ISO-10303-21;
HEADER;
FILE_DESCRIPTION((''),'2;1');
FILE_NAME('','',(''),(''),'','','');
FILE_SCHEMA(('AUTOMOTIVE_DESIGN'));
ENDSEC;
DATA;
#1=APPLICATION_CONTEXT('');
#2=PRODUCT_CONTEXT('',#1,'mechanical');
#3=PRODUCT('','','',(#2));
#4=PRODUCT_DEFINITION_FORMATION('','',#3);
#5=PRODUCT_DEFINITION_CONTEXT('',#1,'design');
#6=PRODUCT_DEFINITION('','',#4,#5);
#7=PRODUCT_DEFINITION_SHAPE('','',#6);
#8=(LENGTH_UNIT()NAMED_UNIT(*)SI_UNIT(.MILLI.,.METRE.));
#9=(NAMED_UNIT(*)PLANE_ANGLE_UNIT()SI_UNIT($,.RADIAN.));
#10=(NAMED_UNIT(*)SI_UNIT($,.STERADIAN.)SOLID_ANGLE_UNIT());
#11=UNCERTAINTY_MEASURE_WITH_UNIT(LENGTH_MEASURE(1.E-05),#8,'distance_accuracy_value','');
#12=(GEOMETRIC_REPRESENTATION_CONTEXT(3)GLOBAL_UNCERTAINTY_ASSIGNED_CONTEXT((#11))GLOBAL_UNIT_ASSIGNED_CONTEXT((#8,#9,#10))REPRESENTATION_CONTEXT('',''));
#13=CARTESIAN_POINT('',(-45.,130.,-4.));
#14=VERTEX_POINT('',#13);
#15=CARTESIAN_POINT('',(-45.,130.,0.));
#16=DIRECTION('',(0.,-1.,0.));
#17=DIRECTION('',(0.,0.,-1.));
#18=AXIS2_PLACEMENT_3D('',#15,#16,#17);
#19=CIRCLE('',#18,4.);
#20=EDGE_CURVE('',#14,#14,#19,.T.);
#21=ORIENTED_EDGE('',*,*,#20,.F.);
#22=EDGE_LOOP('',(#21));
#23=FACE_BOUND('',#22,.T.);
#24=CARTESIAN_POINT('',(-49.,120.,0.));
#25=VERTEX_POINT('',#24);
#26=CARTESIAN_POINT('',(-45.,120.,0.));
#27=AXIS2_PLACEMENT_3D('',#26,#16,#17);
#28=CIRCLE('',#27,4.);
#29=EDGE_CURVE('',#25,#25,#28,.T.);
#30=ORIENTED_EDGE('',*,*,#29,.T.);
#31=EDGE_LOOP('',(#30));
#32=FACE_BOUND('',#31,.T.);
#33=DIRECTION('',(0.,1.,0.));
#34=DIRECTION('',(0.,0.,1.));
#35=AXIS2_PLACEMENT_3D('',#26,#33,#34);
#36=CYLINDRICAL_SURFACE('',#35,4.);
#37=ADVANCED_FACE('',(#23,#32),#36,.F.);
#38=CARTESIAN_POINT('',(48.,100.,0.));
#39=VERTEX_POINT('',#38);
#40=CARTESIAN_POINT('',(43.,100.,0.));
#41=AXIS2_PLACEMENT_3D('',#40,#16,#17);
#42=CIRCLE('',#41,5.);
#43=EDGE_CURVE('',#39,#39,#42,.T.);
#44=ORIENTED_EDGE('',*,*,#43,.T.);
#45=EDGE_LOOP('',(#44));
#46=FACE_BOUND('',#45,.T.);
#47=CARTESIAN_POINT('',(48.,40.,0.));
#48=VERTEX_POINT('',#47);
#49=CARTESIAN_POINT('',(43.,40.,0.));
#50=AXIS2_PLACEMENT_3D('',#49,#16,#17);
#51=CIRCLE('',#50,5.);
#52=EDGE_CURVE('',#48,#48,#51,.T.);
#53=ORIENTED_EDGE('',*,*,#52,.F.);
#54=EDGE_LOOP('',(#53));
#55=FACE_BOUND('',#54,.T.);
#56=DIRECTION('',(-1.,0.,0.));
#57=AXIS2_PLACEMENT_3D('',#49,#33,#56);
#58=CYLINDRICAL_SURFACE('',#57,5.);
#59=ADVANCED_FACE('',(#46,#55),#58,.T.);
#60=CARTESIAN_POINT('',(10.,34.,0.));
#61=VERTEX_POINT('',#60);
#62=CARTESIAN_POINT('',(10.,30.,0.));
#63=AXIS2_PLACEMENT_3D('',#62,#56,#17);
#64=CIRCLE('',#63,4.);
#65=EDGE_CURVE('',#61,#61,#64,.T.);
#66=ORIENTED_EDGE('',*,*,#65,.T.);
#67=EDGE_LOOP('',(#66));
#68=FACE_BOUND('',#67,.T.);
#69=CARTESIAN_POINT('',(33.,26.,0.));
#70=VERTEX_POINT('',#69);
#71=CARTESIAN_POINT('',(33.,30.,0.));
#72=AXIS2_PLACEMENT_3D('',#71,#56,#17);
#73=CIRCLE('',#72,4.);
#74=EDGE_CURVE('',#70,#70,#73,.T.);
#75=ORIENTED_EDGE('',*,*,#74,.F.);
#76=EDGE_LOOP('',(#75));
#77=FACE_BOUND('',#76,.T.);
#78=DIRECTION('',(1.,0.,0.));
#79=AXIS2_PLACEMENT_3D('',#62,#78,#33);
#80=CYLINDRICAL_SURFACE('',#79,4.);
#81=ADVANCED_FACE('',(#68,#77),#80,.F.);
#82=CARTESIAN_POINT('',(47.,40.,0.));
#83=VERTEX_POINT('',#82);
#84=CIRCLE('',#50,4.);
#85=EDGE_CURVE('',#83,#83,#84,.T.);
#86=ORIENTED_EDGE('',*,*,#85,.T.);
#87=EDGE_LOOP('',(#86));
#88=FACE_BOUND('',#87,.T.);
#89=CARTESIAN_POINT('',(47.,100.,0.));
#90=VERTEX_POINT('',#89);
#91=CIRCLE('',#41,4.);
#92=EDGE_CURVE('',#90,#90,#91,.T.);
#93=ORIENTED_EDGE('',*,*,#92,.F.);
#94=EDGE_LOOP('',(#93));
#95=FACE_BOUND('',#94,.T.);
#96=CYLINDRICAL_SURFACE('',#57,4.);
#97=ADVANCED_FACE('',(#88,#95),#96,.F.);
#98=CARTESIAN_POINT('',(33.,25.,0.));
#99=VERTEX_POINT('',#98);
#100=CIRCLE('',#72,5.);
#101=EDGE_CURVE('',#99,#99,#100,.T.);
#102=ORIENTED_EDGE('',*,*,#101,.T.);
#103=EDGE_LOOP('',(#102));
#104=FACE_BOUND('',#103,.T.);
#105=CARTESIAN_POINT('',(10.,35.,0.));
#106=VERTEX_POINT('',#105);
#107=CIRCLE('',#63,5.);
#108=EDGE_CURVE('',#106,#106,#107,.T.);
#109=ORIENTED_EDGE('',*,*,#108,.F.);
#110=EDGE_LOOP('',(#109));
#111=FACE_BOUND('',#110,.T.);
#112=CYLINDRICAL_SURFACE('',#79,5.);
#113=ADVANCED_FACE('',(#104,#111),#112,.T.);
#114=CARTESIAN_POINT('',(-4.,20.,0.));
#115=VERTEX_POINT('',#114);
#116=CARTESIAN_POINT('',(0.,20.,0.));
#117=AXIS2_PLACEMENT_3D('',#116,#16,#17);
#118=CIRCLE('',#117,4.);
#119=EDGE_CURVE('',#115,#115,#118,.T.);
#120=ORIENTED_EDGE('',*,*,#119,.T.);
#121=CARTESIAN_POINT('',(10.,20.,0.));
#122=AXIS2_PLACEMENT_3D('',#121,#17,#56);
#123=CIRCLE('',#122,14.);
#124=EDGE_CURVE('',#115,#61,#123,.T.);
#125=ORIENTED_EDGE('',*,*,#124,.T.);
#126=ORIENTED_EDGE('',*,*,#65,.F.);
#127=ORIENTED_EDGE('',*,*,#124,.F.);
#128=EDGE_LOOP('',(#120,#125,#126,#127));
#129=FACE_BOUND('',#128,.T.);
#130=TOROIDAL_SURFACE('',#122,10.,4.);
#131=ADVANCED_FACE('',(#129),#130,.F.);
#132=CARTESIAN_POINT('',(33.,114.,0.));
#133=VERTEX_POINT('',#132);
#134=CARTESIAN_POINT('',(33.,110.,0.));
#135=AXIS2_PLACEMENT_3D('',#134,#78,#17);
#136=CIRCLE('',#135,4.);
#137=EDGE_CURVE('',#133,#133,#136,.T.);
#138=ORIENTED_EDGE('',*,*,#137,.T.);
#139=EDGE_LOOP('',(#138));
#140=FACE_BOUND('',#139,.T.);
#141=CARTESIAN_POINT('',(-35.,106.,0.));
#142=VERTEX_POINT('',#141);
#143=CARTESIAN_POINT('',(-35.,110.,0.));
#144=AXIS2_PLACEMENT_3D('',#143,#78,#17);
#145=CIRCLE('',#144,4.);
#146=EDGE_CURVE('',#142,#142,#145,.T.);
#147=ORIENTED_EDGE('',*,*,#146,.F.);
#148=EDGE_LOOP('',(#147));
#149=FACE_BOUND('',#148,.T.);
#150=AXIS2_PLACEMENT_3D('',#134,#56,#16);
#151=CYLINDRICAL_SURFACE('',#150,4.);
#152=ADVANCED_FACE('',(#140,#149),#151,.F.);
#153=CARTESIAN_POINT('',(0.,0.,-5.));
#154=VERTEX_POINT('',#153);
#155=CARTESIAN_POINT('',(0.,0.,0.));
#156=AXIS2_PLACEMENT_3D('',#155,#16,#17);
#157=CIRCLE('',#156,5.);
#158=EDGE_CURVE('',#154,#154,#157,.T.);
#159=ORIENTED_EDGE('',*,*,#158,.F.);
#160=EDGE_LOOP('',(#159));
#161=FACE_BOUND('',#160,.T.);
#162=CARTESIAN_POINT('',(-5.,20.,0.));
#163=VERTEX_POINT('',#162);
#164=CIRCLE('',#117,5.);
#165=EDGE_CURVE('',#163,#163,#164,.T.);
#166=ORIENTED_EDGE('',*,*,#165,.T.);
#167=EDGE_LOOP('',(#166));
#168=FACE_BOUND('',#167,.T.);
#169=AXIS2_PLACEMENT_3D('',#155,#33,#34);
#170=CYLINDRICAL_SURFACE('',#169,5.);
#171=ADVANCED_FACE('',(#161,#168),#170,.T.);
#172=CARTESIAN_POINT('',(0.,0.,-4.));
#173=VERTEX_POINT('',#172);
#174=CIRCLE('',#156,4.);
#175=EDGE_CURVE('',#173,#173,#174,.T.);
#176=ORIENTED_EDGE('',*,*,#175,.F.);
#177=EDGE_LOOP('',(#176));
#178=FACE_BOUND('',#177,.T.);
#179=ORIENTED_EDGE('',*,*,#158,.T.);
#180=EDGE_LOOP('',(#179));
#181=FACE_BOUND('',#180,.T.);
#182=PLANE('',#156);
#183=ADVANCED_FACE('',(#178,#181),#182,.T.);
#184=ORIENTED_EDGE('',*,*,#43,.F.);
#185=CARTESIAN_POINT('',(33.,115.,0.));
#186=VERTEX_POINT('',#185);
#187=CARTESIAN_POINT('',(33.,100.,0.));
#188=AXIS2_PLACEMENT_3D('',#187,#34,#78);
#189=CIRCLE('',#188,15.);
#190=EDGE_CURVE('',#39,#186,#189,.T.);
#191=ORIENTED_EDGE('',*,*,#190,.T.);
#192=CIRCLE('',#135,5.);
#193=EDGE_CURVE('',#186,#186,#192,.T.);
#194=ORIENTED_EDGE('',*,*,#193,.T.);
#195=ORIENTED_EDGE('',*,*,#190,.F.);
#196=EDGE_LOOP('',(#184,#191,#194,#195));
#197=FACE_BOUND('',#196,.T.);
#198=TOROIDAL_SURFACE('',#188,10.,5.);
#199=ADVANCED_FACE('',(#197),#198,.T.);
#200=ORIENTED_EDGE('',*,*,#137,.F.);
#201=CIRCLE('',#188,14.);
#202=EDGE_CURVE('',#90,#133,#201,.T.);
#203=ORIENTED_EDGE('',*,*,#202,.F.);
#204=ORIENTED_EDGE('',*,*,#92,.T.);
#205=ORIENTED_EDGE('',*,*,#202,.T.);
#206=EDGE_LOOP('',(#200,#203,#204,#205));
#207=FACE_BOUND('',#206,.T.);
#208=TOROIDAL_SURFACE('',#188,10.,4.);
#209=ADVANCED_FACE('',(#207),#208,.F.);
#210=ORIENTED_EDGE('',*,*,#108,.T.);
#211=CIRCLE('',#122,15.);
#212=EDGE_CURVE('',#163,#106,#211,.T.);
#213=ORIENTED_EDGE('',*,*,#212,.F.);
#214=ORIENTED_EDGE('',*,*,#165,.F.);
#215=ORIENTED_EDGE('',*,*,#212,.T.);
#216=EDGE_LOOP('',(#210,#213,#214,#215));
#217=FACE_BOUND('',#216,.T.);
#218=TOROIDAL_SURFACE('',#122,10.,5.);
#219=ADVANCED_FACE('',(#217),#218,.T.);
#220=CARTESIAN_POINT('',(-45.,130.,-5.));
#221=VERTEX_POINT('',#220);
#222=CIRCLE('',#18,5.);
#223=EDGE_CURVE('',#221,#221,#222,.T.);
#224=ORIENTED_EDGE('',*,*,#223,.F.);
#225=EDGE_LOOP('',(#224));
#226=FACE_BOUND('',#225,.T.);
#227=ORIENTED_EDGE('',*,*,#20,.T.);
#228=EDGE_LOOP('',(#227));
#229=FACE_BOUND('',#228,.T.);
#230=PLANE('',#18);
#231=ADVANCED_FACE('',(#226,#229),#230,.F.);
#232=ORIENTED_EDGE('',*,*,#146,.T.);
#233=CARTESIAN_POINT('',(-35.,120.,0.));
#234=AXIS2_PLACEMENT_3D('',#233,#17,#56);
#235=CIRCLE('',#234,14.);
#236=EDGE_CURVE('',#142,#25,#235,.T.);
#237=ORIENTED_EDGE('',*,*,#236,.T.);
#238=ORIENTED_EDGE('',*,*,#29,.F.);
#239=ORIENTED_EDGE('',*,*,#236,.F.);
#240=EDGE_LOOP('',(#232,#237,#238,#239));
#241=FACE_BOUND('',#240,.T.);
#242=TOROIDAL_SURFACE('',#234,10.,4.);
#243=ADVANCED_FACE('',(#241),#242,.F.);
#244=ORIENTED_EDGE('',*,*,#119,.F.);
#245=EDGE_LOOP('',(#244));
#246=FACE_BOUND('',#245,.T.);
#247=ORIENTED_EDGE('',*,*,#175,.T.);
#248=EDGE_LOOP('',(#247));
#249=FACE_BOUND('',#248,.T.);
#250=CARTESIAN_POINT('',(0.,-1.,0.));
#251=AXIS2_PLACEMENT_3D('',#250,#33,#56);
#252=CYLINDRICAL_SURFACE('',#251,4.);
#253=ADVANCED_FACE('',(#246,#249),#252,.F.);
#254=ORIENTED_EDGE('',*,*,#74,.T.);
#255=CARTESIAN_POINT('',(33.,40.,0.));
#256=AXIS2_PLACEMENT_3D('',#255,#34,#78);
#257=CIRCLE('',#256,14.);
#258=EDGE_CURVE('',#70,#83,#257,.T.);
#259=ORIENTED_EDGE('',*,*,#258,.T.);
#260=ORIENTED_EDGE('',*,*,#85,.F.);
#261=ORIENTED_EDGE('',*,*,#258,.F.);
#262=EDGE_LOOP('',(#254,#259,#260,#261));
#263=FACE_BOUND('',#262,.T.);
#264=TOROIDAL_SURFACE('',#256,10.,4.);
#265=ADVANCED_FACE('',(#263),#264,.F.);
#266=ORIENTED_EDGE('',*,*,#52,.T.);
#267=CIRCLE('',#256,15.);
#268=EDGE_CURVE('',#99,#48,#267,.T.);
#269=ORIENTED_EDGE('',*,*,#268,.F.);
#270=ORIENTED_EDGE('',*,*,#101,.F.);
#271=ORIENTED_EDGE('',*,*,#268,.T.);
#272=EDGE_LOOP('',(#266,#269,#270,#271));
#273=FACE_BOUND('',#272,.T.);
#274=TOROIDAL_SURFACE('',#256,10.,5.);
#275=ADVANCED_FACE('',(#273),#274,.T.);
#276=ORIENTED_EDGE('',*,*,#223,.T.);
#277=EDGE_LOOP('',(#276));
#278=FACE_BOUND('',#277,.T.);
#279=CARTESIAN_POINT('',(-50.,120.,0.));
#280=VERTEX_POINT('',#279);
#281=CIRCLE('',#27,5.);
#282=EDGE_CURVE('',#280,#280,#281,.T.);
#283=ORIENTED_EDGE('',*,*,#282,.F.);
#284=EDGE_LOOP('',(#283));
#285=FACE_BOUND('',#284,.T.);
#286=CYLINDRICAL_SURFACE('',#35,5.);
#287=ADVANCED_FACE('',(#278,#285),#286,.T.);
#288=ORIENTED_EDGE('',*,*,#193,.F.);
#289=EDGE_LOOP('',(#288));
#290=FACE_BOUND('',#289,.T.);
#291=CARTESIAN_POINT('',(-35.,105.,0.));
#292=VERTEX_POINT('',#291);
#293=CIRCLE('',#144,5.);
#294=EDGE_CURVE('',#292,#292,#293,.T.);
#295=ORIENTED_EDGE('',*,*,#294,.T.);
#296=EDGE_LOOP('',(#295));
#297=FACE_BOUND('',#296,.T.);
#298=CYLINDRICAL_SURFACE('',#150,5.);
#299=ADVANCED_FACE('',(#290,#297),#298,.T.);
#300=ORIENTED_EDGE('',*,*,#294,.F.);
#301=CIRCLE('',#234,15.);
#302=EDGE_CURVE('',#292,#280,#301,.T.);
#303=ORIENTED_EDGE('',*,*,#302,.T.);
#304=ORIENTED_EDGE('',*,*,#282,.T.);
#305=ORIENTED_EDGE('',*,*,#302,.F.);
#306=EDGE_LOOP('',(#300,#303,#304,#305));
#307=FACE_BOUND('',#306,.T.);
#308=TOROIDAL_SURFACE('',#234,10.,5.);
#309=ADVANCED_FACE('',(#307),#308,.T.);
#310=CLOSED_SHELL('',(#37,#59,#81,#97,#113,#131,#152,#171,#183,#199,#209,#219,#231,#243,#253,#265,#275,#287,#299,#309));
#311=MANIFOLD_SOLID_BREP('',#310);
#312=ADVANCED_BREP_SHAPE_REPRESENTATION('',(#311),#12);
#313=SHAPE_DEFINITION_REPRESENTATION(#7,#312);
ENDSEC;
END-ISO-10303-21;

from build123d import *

# Parameters (mm, degrees)
SWEEP_1_PROFILE_R   = 5
SWEEP_1_2_PROFILE_R = 4


with BuildPart() as part:
    # Sweep 1: sweep along a path in 草图1
    with BuildLine(Plane.XY) as sweep_1_path:
        Line((0, 0), (0, 20))
        ThreePointArc((0, 20), (2.928932188, 27.071067812), (10, 30))
        Line((10, 30), (33, 30))
        ThreePointArc((33, 30), (40.071067812, 32.928932188), (43, 40))
        Line((43, 40), (43, 100))
        ThreePointArc((43, 100), (40.071067812, 107.071067812), (33, 110))
        Line((33, 110), (-35, 110))
        ThreePointArc((-35, 110), (-42.071067812, 112.928932188), (-45, 120))
        Line((-45, 120), (-45, 130))
    # Sweep 1 profile (on start of the path) → Sweep 1 (sweep)
    with BuildSketch(Plane.ZX):
        Circle(SWEEP_1_PROFILE_R)
    sweep(path=sweep_1_path.line)

    # Sweep 1 2: sweep along a path in 草图7
    with BuildLine(Plane.XY) as sweep_1_2_path:
        Line((0, 0), (0, 20))
        ThreePointArc((0, 20), (2.928932188, 27.071067812), (10, 30))
        Line((10, 30), (33, 30))
        ThreePointArc((33, 30), (40.071067812, 32.928932188), (43, 40))
        Line((43, 40), (43, 100))
        ThreePointArc((43, 100), (40.071067812, 107.071067812), (33, 110))
        Line((33, 110), (-35, 110))
        ThreePointArc((-35, 110), (-42.071067812, 112.928932188), (-45, 120))
        Line((-45, 120), (-45, 130))
    # Sweep 1 2 profile (on start of the path) → Sweep 1 2 (sweep, cut)
    with BuildSketch(Plane(origin=(0, 0, 0), x_dir=(1, 0, 0), z_dir=(0, 1, 0))):
        Circle(SWEEP_1_2_PROFILE_R)
    sweep(path=sweep_1_2_path.line, mode=Mode.SUBTRACT)


solid = part.part
